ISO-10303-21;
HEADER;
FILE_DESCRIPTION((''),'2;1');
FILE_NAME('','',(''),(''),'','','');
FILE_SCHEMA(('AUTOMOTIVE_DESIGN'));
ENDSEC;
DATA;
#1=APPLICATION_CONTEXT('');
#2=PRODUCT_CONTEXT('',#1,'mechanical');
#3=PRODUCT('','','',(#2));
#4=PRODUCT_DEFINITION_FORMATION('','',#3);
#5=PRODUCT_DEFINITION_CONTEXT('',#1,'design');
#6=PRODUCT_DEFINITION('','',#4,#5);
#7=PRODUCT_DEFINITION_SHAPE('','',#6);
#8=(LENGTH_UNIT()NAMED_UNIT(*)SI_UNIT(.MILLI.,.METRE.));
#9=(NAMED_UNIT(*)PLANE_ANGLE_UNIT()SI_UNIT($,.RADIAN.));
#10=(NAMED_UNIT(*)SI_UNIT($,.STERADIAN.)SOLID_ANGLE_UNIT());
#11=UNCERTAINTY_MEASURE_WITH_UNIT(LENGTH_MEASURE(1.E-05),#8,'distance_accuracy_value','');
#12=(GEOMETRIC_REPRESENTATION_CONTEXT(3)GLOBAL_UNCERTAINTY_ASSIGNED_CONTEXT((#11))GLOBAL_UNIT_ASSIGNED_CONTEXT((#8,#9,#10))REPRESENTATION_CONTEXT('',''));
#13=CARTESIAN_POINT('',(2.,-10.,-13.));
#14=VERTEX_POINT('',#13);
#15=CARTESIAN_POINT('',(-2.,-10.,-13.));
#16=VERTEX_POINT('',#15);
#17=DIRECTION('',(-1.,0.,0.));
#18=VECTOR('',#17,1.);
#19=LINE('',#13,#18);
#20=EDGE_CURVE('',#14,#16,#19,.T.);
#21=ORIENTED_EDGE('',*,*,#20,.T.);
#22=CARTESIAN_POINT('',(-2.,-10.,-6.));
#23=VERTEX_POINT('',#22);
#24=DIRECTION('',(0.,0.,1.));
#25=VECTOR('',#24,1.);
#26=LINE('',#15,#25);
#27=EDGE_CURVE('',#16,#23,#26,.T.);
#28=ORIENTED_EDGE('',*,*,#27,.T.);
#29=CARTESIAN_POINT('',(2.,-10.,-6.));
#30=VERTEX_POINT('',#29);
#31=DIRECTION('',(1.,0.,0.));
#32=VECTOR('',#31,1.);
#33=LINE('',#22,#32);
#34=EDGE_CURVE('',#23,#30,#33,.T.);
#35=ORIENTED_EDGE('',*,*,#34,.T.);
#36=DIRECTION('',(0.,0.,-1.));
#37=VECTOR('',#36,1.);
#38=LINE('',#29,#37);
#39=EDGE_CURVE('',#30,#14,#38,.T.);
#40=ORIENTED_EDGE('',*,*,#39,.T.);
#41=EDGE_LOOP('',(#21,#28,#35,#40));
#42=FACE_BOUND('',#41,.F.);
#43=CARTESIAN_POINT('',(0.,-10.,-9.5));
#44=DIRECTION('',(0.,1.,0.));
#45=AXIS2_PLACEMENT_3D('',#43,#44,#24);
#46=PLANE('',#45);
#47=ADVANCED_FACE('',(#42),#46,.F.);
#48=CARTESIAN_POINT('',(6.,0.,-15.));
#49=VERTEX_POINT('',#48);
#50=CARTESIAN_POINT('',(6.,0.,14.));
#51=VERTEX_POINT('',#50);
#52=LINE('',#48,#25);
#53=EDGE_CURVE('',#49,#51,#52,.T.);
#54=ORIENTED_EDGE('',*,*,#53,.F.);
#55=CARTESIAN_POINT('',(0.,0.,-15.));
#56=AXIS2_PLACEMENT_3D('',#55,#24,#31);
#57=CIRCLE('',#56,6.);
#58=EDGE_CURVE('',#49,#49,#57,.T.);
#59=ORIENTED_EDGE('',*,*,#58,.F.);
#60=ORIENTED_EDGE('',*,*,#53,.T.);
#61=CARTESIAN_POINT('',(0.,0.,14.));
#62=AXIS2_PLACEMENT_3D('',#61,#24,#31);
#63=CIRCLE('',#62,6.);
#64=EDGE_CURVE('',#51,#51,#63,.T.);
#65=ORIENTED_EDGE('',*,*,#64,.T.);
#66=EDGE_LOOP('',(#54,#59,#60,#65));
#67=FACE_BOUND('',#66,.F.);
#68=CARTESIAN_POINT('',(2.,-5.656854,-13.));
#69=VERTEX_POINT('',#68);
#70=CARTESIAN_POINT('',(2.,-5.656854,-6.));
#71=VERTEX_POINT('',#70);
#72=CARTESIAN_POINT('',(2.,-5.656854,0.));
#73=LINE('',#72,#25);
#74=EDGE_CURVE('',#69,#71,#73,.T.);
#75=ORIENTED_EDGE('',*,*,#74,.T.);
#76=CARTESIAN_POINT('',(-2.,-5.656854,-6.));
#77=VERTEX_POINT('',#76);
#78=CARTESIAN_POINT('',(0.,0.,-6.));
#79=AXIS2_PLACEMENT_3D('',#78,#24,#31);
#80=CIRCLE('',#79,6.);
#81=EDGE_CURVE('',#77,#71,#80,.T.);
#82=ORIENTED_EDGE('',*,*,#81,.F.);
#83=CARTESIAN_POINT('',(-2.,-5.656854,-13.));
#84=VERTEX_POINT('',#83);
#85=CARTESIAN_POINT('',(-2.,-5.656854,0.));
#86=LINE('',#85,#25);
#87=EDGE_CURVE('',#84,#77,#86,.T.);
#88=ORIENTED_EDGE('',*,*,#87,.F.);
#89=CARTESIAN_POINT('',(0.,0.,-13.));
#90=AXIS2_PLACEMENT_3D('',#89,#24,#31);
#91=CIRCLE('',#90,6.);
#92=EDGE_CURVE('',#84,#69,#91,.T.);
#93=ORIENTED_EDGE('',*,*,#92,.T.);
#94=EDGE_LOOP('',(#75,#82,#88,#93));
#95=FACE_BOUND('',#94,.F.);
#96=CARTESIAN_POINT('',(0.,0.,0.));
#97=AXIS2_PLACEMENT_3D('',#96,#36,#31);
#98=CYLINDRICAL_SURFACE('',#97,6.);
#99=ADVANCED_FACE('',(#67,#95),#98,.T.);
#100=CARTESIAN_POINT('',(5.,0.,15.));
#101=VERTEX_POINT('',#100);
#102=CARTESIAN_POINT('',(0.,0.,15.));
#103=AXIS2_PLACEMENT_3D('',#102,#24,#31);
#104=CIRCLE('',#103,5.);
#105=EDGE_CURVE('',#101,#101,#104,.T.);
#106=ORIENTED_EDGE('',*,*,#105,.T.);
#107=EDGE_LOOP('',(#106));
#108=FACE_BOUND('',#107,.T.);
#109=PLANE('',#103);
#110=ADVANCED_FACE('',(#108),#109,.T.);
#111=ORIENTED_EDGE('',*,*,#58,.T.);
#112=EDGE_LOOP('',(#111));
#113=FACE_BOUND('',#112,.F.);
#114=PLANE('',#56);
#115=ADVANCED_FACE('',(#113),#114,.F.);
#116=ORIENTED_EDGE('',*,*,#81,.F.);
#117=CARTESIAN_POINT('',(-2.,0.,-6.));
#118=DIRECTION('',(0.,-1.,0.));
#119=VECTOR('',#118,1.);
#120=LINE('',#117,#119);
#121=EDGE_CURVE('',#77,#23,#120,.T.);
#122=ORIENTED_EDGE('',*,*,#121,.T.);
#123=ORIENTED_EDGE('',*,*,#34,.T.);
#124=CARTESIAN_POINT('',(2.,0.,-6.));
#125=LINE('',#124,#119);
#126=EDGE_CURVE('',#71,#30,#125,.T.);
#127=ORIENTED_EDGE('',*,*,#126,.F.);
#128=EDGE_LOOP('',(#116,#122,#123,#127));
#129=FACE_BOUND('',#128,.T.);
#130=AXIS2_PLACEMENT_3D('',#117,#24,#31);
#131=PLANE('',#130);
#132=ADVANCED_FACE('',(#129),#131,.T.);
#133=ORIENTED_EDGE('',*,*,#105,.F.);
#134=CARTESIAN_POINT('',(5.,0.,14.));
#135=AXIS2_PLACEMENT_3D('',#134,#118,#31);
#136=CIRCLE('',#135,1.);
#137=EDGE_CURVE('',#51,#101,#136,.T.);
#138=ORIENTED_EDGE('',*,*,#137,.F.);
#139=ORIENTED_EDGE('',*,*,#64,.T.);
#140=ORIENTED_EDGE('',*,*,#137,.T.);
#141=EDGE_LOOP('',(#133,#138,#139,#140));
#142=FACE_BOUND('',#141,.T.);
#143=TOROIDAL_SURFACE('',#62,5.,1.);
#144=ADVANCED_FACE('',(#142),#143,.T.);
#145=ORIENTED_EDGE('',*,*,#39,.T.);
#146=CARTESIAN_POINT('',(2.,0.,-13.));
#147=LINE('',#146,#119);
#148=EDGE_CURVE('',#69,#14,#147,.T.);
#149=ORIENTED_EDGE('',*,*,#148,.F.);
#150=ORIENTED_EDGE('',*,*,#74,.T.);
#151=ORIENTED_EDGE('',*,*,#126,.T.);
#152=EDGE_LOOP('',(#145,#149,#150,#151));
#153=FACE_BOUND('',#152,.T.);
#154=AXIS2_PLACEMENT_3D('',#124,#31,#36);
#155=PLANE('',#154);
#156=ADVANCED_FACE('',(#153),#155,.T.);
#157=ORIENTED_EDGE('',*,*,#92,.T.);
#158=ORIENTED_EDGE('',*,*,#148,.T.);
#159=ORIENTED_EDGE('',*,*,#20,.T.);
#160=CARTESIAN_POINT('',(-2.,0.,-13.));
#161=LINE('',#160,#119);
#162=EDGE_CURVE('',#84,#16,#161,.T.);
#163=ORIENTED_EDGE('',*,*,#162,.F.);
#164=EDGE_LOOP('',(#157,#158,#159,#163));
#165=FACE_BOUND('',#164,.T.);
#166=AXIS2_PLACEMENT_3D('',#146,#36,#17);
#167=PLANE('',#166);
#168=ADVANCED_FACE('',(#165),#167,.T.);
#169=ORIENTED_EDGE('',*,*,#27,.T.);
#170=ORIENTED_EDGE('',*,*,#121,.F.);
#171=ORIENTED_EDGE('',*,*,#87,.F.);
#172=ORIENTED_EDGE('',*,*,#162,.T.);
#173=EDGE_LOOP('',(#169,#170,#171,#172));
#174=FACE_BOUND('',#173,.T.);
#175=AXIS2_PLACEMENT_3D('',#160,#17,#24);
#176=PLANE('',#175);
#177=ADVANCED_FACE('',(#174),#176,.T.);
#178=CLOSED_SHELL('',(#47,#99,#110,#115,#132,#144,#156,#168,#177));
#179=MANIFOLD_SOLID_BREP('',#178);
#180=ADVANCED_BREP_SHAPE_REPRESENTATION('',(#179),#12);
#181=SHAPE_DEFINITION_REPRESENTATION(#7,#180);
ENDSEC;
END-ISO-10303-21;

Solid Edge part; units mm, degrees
sketch "Sketch1" plane through (0, 0, 0) normal (0, 0, 1) x (1, 0, 0)
  circle A0 centre (0, 0) radius 6
extrude "Protrusion1" add sketch "Sketch1" along normal mid plane 30
sketch "Sketch2" plane through (0, 0, 0) normal (0, -1, 0) x (1, 0, 0)
  line L0 (2, -13) -> (-2, -13)
  line L1 (-2, -13) -> (-2, -6)
  line L2 (-2, -6) -> (2, -6)
  line L3 (2, -6) -> (2, -13)
extrude "ExtrudedProtrusion_2" add sketch "Sketch2" along normal blind 10
fillet "Round_1" radius 1 1 edges at (-6, 0, 15)
properties material "PVC"
